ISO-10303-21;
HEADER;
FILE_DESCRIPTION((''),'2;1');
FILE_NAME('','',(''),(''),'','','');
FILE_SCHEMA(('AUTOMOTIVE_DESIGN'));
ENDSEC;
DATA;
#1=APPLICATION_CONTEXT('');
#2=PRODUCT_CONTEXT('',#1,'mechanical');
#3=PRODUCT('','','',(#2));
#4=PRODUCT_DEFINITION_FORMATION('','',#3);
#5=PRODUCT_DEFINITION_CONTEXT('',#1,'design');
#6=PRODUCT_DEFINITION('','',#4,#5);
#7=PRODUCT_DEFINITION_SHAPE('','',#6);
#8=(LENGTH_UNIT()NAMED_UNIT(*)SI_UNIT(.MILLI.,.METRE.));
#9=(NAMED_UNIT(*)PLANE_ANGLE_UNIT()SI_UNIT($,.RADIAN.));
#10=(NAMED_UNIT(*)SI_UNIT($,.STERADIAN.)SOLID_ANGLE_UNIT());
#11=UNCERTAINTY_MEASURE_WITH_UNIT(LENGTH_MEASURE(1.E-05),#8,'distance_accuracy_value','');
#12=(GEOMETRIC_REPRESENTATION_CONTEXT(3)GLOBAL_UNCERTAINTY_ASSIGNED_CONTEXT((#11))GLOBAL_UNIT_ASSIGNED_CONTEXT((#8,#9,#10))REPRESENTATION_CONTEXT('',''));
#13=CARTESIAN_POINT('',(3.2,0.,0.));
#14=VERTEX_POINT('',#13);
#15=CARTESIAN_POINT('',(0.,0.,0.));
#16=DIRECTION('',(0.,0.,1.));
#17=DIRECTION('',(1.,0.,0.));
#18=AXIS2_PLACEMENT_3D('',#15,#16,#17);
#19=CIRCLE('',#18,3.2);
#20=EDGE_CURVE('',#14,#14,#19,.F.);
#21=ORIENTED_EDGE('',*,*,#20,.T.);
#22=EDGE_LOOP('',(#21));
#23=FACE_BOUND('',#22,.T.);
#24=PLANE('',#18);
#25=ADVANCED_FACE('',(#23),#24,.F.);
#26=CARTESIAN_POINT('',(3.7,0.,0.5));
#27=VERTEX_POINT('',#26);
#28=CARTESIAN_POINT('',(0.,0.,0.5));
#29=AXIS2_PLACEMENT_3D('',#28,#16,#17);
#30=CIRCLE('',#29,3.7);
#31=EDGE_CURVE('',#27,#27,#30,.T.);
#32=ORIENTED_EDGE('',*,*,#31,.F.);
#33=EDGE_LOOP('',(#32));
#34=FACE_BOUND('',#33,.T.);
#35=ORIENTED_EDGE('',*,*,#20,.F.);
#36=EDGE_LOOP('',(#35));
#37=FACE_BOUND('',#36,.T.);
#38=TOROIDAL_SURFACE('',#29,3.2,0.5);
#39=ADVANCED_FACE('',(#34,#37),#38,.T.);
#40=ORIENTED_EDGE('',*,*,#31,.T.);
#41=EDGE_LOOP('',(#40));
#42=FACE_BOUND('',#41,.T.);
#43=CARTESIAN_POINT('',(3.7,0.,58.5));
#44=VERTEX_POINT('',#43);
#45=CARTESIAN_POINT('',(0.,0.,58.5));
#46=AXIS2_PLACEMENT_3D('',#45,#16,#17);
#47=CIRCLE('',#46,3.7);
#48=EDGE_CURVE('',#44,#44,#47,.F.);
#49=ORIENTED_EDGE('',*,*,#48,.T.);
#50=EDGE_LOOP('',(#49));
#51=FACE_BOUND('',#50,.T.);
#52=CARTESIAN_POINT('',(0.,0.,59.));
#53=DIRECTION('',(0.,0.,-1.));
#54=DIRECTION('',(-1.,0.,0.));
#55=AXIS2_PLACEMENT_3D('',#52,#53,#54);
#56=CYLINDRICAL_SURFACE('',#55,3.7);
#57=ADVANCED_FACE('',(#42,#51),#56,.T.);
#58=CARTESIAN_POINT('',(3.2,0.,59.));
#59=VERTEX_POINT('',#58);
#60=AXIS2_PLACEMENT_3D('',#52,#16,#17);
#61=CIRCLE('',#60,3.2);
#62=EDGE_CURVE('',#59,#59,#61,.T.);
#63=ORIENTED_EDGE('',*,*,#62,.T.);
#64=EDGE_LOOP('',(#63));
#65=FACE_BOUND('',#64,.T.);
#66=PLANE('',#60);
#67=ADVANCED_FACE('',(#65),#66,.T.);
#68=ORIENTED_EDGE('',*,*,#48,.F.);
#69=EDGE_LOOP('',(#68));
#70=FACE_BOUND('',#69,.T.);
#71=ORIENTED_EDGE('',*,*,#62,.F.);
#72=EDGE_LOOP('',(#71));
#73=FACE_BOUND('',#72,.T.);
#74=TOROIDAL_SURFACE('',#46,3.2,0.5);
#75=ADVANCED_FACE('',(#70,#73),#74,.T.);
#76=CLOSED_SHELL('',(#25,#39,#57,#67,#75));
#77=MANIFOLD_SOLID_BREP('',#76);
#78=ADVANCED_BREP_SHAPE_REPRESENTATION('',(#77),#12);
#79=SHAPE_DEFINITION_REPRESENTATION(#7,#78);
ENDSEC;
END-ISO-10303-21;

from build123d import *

# Parameters (mm, degrees)
CROQUIS2_R              = 3.7
SALIENTE_EXTRUIR1_DEPTH = 59
REDONDEO1_R             = 0.5


with BuildPart() as part:
    # Croquis2 → Saliente-Extruir1 (new body)
    with BuildSketch(Plane(origin=(0, 0, 0), x_dir=(0, 1, 0), z_dir=(0, 0, 1))):
        with Locations(Location((0, 0, 0), (0, 0, 270))):
            Circle(CROQUIS2_R)
    extrude(amount=SALIENTE_EXTRUIR1_DEPTH)

    # Redondeo1
    redondeo1_edges = [part.edges().sort_by_distance(p)[0] for p in [
        (-3.7, 0, 0),
        (-3.7, 0, 59),
    ]]
    fillet(redondeo1_edges, radius=REDONDEO1_R)


solid = part.part
